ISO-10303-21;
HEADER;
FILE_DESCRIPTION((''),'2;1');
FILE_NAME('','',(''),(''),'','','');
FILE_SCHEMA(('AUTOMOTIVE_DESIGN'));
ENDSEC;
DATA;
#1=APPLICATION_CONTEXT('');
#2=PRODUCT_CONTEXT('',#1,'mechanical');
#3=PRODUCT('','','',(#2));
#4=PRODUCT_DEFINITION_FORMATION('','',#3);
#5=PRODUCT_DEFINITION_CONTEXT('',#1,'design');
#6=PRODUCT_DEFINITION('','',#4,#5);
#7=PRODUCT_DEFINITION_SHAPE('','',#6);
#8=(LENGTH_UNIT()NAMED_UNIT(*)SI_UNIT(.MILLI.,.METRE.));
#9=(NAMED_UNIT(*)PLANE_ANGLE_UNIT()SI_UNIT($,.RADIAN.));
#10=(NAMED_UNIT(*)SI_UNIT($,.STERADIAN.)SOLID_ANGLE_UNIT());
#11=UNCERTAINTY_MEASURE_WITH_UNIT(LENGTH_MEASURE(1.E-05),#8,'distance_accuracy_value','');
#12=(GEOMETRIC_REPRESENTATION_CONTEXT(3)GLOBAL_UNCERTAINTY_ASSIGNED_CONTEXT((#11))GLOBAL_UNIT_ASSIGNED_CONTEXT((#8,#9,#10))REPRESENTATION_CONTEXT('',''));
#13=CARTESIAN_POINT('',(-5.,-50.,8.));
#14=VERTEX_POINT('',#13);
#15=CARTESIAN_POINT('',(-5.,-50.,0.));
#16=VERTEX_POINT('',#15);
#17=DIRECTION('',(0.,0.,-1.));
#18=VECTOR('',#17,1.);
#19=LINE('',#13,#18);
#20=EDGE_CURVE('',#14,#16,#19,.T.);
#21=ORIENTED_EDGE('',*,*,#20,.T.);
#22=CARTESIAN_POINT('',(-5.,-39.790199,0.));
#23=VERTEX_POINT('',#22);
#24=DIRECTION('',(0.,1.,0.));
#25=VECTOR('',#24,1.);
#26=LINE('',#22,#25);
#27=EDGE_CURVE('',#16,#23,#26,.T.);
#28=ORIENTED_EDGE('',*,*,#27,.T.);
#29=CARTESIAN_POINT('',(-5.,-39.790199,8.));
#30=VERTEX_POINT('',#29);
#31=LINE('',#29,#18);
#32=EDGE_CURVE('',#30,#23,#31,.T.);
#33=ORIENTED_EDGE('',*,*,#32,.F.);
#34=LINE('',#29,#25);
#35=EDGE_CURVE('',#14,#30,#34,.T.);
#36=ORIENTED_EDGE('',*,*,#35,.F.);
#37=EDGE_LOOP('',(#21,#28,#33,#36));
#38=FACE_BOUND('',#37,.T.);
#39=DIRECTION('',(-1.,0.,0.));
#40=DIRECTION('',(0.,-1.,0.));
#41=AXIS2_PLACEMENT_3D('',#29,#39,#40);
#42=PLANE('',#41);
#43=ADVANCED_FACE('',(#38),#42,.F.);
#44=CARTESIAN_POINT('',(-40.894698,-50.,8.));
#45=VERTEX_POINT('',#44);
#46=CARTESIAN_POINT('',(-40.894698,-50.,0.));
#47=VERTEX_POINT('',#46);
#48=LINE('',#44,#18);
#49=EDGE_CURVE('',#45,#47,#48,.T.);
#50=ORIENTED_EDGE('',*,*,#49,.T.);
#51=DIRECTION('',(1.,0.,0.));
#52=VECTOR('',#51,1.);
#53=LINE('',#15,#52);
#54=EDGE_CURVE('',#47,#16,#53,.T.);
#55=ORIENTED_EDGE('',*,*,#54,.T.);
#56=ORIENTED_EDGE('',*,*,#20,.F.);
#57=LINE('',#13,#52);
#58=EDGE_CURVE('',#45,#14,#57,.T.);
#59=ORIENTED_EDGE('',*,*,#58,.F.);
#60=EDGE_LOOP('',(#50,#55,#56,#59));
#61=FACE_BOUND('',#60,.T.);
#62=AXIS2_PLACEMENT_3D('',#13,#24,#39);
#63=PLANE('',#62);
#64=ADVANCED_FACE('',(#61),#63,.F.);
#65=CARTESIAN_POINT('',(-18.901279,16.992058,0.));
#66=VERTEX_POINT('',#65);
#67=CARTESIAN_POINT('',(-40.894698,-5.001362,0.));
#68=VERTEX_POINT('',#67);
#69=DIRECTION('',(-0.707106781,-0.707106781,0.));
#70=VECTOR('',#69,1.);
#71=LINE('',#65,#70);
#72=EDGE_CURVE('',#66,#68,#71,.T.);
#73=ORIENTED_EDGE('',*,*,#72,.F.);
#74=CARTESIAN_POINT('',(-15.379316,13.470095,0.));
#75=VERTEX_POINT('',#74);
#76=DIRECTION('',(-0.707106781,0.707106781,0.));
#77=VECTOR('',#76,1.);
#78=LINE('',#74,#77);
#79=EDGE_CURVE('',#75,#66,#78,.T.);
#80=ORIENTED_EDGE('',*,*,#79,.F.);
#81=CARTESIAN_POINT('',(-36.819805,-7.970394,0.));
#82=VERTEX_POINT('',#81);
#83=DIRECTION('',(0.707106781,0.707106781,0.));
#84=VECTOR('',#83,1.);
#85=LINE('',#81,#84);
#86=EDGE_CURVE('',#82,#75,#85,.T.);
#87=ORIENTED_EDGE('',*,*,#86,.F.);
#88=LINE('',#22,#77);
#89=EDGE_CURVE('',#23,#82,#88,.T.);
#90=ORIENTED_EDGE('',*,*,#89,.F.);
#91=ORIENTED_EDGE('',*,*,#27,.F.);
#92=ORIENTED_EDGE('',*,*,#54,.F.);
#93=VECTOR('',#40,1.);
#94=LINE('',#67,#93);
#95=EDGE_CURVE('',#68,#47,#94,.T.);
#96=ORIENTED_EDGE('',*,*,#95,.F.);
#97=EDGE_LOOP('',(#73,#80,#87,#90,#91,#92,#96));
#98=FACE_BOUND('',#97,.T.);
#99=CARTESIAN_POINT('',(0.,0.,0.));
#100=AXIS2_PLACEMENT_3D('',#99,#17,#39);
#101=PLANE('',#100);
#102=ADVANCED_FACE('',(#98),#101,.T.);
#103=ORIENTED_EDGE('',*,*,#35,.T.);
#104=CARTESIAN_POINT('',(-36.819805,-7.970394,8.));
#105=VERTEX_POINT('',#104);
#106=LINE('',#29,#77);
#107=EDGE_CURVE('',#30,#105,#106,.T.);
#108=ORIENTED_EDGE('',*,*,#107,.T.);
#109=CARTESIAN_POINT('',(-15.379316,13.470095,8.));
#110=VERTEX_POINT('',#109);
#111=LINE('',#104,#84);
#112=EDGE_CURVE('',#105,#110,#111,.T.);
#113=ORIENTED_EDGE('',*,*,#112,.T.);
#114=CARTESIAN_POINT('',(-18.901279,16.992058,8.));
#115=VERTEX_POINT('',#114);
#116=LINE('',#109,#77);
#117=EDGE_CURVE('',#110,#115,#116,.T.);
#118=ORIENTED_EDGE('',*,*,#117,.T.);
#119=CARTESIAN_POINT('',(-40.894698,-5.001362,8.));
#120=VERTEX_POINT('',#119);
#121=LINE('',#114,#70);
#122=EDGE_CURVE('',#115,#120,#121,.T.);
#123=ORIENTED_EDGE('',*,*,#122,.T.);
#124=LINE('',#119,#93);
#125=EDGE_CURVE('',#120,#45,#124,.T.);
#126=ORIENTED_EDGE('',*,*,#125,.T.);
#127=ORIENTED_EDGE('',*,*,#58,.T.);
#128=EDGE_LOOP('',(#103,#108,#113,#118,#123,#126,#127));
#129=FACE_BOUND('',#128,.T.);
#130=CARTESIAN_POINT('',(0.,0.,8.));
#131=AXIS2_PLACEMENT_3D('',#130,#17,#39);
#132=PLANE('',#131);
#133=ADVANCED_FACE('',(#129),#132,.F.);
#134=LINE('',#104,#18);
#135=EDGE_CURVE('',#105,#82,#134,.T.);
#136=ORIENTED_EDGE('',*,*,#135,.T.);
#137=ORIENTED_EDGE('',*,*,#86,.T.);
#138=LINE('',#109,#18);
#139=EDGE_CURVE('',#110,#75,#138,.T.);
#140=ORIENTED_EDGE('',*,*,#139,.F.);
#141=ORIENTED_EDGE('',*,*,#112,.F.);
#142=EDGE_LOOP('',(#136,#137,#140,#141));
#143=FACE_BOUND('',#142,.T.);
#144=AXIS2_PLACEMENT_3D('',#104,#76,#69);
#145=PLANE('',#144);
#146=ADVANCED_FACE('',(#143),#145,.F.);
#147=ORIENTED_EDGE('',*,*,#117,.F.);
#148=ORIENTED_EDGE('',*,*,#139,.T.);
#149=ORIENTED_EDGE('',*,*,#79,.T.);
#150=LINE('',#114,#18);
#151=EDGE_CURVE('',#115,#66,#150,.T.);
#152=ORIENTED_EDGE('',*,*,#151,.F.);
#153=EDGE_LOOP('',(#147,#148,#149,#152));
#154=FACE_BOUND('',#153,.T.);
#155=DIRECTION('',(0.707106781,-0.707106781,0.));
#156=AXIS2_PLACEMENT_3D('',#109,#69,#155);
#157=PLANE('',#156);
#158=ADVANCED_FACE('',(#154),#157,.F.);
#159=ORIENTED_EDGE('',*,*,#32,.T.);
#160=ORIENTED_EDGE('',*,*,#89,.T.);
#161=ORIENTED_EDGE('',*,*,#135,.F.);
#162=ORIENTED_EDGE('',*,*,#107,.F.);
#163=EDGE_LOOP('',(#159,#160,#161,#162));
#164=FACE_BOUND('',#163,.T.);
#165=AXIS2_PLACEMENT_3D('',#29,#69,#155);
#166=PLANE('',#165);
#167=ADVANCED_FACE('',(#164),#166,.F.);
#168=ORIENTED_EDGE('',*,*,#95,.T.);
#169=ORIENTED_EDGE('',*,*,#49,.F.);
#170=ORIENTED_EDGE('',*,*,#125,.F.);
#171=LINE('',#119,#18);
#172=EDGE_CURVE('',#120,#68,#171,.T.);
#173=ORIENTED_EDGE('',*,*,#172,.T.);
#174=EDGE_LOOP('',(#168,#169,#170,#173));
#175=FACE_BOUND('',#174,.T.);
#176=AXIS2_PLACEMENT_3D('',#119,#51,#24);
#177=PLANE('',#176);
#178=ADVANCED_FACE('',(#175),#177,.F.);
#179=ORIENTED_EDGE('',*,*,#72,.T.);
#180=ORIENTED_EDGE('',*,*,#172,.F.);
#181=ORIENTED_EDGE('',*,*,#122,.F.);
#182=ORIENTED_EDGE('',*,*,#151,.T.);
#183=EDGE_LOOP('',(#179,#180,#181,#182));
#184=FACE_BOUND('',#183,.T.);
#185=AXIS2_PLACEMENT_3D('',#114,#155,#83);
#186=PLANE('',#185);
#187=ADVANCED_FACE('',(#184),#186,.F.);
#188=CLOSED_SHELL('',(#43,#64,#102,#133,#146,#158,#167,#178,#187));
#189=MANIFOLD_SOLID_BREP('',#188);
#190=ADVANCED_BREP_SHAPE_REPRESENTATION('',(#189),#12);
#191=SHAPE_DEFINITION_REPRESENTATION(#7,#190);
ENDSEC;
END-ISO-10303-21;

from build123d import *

# Parameters (mm, degrees)
SALIENTE_EXTRUIR1_DEPTH = 8


with BuildPart() as part:
    # Croquis1 → Saliente-Extruir1 (new body)
    with BuildSketch(Plane.XY):
        Polygon((-5, -39.790199458), (-5, -50), (-40.894698343, -50), (-40.894698343, -5.001362042), (-18.901278788, 16.992057514), (-15.379316062, 13.470094787), (-36.819805153, -7.970394304), align=None)
    extrude(amount=SALIENTE_EXTRUIR1_DEPTH)


solid = part.part
